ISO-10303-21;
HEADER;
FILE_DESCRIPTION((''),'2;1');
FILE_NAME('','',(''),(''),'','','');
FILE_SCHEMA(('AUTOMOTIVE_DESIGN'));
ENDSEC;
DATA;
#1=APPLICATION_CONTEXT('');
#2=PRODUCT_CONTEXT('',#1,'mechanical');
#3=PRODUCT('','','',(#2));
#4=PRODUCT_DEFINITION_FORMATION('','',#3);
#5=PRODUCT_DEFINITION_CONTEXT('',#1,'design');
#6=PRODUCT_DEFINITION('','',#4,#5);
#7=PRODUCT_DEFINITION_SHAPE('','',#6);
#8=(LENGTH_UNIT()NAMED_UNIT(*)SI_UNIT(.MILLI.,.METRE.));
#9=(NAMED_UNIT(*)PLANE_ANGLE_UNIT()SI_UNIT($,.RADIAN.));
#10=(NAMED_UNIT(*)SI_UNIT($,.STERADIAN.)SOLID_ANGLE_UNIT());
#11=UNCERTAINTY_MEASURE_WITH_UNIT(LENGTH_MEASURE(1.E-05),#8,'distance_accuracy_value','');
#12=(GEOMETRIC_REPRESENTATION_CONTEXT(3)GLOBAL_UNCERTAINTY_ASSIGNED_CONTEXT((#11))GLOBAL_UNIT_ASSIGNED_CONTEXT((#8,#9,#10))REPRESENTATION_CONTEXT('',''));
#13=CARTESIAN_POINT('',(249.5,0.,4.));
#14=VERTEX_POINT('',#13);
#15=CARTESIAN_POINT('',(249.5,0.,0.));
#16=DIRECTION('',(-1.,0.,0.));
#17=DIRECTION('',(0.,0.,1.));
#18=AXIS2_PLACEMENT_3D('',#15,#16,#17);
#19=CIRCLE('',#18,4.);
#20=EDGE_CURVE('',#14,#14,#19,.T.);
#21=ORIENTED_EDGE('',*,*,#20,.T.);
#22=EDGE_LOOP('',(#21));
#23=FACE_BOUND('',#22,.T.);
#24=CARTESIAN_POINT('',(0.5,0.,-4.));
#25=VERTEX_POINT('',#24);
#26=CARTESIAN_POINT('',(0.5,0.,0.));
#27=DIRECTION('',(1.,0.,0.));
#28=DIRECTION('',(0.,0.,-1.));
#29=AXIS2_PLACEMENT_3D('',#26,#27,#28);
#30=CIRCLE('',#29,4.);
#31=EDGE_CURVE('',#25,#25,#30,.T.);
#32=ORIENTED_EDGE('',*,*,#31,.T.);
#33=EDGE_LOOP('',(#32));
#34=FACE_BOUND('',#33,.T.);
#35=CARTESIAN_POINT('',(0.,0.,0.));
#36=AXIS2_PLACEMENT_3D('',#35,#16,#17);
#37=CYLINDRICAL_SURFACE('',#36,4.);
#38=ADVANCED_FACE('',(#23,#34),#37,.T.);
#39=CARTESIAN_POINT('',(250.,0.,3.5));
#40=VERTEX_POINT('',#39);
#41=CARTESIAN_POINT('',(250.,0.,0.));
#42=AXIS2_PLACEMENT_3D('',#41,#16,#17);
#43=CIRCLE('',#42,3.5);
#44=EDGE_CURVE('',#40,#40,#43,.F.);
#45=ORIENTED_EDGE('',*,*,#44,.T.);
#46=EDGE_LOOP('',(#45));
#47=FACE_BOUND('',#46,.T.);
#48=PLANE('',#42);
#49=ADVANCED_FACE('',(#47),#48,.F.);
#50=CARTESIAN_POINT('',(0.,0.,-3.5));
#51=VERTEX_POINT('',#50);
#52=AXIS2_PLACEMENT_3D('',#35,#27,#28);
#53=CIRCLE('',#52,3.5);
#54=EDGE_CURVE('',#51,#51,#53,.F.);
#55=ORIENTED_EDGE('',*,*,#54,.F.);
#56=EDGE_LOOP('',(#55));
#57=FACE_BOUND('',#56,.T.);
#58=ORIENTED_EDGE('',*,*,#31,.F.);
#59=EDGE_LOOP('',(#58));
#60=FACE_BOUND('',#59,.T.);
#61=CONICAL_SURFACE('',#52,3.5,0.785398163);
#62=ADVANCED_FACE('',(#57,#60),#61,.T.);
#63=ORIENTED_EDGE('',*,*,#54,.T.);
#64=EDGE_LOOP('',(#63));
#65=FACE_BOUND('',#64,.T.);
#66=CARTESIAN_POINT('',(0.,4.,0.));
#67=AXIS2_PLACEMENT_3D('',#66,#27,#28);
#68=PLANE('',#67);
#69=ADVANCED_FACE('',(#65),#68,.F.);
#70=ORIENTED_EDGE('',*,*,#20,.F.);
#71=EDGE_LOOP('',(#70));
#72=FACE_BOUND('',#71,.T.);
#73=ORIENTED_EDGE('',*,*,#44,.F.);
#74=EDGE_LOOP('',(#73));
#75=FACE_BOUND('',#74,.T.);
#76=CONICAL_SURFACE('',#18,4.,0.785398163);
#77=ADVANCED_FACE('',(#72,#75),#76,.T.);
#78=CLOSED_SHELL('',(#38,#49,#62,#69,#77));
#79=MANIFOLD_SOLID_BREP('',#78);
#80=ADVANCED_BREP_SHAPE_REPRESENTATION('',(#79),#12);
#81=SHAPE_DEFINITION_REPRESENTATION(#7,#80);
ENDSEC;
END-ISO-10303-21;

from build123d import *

# Parameters (mm, degrees)
SKETCH1_W     = 250
SKETCH1_H     = 4
CHAMFER1_SIZE = 0.5


with BuildPart() as part:
    # Sketch1 → Revolve1 (revolve)
    with BuildSketch(Plane.XY):
        with Locations((125, 2)):
            Rectangle(SKETCH1_W, SKETCH1_H)
    revolve(axis=Axis((0, 0, 0), (1, 0, 0)))

    # Chamfer1
    chamfer1_edges = [part.edges().sort_by_distance(p)[0] for p in [
        (250, -4, 0),
        (0, -4, 0),
    ]]
    chamfer(chamfer1_edges, length=CHAMFER1_SIZE)


solid = part.part
